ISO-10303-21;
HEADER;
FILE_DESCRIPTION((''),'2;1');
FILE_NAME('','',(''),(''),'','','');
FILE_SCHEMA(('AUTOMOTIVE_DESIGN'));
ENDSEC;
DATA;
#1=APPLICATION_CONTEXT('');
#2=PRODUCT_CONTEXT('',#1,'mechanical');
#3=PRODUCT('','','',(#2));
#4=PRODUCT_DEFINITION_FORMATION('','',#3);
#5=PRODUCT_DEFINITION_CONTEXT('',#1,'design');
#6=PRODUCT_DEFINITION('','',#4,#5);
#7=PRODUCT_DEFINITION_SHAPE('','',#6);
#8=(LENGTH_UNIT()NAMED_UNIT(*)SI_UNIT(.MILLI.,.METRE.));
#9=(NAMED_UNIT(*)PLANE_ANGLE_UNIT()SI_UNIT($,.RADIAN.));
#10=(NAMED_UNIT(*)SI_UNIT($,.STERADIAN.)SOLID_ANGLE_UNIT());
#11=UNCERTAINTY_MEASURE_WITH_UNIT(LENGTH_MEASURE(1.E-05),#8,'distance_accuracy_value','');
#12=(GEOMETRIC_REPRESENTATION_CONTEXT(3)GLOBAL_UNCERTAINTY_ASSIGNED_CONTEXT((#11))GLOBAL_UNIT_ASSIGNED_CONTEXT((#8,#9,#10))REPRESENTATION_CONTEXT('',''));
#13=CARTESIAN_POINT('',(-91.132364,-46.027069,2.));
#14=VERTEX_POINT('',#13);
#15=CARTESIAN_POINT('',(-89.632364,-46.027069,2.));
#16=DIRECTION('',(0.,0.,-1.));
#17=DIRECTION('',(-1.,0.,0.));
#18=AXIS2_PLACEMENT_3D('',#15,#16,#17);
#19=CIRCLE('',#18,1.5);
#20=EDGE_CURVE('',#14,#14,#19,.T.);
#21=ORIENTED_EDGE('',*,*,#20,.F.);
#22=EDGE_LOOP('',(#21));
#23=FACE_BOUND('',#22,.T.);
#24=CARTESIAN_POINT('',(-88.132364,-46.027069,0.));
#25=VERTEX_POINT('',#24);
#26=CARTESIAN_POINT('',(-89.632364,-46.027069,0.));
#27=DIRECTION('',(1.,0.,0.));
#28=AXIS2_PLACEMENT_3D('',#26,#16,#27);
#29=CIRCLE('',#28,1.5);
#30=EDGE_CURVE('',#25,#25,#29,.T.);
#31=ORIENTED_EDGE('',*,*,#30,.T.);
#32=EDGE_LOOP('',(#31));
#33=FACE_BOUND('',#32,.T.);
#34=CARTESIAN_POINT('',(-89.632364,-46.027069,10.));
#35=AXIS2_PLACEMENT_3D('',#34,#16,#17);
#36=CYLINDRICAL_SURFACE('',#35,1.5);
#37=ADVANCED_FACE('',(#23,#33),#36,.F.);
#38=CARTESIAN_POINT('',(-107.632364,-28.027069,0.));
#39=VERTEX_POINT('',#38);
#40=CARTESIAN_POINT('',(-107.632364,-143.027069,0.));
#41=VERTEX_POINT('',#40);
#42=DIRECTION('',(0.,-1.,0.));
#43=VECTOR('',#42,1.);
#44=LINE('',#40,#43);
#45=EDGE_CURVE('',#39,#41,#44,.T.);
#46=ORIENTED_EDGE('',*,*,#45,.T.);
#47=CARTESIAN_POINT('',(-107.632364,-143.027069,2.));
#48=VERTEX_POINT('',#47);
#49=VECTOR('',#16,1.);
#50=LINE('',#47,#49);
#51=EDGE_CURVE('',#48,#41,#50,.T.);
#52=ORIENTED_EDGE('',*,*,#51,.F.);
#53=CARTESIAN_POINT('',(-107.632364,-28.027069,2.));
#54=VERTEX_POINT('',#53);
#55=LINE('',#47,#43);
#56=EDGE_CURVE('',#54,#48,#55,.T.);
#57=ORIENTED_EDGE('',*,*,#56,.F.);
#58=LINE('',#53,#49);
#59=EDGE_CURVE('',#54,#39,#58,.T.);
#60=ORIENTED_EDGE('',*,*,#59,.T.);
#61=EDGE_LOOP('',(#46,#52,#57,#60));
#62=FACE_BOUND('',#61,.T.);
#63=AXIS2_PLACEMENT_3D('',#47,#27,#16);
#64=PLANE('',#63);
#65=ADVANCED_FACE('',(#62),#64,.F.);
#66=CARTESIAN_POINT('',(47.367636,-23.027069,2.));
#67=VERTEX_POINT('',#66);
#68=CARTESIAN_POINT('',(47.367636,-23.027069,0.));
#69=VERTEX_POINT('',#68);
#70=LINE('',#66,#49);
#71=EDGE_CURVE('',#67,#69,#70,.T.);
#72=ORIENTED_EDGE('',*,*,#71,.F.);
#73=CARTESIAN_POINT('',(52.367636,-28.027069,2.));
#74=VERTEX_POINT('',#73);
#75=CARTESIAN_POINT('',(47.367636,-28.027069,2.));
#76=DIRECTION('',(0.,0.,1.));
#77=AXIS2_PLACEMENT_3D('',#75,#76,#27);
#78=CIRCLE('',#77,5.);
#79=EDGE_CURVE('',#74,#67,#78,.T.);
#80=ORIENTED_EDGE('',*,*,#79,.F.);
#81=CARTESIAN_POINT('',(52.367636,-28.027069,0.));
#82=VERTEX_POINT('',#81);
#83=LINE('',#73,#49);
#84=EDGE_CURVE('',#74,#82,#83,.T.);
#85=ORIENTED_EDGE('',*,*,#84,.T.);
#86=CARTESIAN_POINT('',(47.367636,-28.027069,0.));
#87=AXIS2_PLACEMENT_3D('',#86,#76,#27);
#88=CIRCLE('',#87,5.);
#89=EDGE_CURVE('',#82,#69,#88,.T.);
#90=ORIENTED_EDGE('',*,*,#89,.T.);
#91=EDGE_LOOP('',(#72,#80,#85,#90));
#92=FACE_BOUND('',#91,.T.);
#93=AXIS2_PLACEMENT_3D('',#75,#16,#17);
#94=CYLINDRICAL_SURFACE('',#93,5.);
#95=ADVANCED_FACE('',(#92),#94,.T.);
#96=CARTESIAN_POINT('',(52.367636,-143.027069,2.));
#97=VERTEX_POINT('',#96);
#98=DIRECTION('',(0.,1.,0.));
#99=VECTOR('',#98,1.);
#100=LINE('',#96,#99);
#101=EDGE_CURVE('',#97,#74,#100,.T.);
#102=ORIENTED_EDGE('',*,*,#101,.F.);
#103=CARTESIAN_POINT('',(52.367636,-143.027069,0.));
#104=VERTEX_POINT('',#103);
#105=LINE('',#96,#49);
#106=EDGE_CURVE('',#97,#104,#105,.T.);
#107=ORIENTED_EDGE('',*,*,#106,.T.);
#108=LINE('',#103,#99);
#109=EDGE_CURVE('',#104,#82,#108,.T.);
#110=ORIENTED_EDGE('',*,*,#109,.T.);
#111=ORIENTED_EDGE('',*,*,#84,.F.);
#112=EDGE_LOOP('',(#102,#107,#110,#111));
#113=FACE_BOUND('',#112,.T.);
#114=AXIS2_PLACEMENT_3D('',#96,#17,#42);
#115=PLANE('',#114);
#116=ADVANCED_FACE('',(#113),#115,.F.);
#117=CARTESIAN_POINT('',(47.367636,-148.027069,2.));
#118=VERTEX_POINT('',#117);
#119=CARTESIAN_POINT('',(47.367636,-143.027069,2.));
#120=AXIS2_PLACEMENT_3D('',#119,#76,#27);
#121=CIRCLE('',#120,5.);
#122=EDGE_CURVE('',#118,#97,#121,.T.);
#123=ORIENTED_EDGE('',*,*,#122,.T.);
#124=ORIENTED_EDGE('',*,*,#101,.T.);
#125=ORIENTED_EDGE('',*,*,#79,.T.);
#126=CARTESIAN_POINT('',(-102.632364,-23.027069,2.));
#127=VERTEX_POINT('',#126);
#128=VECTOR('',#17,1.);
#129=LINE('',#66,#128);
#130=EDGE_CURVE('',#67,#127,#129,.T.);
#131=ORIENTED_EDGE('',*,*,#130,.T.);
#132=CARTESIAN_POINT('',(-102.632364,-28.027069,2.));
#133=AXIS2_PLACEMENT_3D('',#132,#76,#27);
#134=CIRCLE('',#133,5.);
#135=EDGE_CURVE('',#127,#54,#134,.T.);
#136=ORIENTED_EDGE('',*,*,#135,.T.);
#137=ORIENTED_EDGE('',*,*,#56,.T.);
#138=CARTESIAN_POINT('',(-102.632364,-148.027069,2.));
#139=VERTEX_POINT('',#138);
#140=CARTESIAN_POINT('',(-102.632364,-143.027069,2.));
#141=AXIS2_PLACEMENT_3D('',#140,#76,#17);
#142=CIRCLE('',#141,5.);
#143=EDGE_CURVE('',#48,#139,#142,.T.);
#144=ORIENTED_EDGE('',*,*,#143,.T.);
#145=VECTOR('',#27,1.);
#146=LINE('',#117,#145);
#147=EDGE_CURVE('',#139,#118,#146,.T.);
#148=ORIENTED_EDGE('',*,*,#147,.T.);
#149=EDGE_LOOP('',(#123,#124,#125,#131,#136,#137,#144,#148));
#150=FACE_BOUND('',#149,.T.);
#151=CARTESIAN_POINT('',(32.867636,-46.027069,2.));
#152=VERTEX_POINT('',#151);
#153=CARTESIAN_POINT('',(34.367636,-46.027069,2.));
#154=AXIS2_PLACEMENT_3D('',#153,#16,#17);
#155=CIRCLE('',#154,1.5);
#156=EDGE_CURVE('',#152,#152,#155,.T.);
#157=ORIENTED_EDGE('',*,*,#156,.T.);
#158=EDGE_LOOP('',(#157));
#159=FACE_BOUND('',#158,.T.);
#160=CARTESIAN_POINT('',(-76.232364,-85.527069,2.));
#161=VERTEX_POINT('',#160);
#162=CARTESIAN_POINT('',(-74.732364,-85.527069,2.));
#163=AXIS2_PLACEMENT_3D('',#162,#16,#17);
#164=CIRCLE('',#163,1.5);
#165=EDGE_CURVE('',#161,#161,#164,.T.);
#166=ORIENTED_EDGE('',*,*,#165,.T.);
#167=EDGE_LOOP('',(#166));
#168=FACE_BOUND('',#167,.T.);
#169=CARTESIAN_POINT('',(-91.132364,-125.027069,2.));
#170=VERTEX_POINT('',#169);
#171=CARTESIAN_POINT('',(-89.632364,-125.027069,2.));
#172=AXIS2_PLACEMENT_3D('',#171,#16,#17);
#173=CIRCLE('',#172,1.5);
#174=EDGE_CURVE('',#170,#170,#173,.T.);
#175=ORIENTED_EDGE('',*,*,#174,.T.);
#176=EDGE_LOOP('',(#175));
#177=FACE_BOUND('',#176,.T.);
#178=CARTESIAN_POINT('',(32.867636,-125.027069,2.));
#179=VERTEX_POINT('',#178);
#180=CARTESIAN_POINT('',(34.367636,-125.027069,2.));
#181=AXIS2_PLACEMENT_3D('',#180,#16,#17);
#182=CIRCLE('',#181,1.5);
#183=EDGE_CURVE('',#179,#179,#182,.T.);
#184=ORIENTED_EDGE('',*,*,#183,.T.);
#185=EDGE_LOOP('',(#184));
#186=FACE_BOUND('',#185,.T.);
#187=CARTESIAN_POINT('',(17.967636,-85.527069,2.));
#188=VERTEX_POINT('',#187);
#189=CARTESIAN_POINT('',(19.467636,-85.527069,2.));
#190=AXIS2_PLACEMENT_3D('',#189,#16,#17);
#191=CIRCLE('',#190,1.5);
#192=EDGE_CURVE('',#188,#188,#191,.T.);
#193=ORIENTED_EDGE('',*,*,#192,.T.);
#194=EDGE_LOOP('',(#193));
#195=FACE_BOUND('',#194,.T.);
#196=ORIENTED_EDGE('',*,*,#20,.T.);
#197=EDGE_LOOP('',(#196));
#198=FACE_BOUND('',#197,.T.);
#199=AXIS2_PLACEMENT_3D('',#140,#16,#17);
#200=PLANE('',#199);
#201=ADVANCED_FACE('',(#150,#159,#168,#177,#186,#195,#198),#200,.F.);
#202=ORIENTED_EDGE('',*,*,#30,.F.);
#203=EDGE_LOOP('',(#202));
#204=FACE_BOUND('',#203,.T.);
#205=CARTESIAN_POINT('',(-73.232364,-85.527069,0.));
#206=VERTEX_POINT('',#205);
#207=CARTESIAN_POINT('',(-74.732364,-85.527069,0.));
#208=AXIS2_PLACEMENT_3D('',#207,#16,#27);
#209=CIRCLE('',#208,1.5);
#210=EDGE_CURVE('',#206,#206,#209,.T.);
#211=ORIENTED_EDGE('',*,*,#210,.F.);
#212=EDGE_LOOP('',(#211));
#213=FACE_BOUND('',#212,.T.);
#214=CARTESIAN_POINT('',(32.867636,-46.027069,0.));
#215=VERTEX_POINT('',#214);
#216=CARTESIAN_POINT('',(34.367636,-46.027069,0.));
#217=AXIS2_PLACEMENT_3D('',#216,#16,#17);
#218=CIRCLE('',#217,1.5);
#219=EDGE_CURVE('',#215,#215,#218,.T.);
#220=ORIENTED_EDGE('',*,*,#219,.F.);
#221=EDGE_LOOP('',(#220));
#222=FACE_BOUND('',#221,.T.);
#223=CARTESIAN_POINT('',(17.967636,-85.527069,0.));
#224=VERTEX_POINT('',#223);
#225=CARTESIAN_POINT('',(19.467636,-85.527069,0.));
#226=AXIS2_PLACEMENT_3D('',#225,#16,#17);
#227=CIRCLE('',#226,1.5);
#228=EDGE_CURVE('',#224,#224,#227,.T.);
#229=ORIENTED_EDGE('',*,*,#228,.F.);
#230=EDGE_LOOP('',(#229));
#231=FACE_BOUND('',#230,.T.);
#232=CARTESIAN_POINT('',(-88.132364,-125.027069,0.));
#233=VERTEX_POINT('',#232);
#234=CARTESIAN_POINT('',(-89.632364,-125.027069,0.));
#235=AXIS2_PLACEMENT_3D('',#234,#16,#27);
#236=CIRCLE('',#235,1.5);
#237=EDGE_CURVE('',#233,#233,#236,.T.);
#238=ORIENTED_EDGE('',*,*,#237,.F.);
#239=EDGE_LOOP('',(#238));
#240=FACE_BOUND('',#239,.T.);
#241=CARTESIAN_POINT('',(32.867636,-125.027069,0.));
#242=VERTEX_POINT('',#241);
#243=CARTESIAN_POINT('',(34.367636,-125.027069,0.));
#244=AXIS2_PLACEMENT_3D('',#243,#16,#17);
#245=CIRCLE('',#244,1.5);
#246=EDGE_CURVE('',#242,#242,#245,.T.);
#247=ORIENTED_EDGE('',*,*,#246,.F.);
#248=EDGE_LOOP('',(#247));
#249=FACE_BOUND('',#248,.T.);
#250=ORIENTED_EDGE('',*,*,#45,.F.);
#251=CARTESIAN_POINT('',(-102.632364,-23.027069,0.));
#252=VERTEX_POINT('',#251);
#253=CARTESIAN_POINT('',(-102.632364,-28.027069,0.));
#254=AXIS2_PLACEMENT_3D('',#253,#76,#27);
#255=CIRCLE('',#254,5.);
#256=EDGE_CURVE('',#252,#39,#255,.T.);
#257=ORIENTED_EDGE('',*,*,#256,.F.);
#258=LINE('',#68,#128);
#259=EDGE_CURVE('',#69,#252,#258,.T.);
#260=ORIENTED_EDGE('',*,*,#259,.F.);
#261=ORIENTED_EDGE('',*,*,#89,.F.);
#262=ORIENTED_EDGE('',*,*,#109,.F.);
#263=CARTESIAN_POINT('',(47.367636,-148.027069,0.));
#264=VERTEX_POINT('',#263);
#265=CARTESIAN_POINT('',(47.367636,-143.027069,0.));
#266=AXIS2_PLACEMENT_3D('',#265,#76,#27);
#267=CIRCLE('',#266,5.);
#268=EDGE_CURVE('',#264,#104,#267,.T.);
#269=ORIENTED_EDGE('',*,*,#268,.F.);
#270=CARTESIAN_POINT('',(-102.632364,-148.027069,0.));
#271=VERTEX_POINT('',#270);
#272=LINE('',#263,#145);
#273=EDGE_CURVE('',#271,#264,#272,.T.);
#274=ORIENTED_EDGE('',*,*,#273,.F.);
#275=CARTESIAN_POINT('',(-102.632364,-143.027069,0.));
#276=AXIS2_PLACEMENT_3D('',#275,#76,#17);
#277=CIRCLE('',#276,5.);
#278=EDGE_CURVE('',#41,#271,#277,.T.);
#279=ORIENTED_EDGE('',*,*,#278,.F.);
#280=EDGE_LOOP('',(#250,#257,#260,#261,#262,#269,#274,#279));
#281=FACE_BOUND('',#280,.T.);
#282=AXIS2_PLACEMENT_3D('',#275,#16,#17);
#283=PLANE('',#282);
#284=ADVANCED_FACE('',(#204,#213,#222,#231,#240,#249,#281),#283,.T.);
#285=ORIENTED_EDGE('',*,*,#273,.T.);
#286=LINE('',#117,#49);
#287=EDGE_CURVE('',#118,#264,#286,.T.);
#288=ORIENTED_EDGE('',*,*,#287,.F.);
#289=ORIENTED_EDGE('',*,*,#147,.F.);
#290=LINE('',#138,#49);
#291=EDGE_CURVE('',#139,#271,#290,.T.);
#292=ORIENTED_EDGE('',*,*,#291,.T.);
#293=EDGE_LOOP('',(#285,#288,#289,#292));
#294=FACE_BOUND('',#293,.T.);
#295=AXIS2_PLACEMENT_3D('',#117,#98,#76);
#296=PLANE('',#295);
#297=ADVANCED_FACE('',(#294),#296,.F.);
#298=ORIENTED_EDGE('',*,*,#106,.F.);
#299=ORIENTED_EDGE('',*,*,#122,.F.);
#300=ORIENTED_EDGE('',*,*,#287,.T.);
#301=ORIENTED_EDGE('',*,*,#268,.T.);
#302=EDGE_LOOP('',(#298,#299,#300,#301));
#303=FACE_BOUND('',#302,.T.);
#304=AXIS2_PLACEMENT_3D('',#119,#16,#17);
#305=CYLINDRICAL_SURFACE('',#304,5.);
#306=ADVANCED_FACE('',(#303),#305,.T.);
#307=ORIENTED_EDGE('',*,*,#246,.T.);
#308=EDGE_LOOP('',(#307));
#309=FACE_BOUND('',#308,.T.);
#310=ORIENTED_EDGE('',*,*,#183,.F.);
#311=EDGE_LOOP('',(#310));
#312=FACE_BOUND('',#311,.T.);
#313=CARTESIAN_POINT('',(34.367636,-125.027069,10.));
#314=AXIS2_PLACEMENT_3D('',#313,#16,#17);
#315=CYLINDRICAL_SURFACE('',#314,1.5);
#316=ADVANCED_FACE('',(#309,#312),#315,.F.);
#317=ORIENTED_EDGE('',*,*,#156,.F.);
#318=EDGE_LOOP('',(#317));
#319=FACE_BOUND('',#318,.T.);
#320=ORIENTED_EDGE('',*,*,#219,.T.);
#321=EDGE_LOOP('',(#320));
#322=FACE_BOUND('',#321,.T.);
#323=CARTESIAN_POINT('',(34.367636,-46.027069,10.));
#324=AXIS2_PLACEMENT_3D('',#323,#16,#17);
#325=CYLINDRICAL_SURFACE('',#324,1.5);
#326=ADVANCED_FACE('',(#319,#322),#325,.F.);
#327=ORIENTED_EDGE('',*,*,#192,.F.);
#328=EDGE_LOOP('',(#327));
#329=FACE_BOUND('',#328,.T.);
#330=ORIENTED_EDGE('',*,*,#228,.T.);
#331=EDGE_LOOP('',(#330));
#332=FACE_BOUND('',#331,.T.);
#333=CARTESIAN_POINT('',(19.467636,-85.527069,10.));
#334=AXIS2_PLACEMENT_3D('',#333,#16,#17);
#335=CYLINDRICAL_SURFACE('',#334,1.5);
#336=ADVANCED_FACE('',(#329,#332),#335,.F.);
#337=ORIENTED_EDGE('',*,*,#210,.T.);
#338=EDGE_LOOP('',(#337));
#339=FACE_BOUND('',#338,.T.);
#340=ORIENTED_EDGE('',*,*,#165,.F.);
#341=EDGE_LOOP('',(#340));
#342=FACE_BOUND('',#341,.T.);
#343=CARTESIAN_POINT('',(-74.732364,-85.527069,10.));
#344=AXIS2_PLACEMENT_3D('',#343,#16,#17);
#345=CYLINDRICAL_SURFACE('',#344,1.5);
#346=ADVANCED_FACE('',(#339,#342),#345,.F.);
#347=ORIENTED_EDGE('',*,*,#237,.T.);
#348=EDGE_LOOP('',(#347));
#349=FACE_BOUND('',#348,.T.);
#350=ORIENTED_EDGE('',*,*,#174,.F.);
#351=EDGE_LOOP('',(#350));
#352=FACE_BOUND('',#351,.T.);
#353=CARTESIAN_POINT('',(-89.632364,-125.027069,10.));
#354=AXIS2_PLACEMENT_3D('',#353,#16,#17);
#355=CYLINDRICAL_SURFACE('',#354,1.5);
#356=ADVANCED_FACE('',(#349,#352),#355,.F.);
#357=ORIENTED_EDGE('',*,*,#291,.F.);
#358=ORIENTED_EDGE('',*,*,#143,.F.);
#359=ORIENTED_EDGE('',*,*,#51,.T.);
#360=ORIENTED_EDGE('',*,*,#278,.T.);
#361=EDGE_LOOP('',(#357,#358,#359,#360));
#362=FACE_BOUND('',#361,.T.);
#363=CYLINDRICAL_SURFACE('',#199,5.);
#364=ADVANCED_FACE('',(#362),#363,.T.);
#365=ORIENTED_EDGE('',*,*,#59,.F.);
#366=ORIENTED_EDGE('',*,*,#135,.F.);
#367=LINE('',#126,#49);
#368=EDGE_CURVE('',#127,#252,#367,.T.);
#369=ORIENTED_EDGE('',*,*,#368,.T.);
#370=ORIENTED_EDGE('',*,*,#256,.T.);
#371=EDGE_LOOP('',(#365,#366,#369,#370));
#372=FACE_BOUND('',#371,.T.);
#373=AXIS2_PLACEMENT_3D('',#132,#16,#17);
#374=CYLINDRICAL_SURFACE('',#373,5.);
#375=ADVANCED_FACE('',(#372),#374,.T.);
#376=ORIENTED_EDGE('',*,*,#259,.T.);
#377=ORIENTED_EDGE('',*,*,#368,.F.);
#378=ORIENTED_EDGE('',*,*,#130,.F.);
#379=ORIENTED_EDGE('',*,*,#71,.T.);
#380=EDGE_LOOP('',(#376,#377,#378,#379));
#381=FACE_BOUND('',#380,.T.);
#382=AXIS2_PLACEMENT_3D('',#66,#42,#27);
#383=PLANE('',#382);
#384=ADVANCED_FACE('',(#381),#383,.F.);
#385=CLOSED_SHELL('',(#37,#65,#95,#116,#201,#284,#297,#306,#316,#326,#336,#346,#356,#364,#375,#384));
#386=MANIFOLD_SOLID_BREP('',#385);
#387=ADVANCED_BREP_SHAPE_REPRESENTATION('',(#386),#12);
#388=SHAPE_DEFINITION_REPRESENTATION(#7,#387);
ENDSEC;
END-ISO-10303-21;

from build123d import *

# Parameters (mm, degrees)
RESSALTO_EXTRUS_O1_DEPTH = 2
ESBO_O2_R                = 1.5
CORTE_EXTRUS_O1_DEPTH    = 10


with BuildPart() as part:
    # Esboço1 → Ressalto-extrusão1 (new body)
    with BuildSketch(Plane.XY):
        with BuildLine():
            Line((47.367635672, -148.027068541), (-102.632364328, -148.027068541))
            ThreePointArc((-102.632364328, -148.027068541), (-106.167898234, -146.562602447), (-107.632364328, -143.027068541))
            Line((-107.632364328, -143.027068541), (-107.632364328, -28.027068541))
            ThreePointArc((-107.632364328, -28.027068541), (-106.167898234, -24.491534635), (-102.632364328, -23.027068541))
            Line((-102.632364328, -23.027068541), (47.367635672, -23.027068541))
            ThreePointArc((47.367635672, -23.027068541), (50.903169578, -24.491534635), (52.367635672, -28.027068541))
            Line((52.367635672, -28.027068541), (52.367635672, -143.027068541))
            ThreePointArc((52.367635672, -143.027068541), (50.903169578, -146.562602447), (47.367635672, -148.027068541))
        make_face()
    extrude(amount=RESSALTO_EXTRUS_O1_DEPTH)

    # Esboço2 → Corte-extrusão1 (cut)
    with BuildSketch(Plane(origin=(0, 0, 0), x_dir=(-1, 0, 0), z_dir=(0, 0, -1))):
        with Locations((-34.367635672, -125.027068541)):
            Circle(ESBO_O2_R)
        with Locations((-19.467635672, -85.527068541)):
            Circle(ESBO_O2_R)
        with Locations((-34.367635672, -46.027068541)):
            Circle(ESBO_O2_R)
        with Locations((89.632364328, -46.027068541)):
            Circle(ESBO_O2_R)
        with Locations((74.732364328, -85.527068541)):
            Circle(ESBO_O2_R)
        with Locations((89.632364328, -125.027068541)):
            Circle(ESBO_O2_R)
    extrude(amount=-CORTE_EXTRUS_O1_DEPTH, mode=Mode.SUBTRACT)


solid = part.part
